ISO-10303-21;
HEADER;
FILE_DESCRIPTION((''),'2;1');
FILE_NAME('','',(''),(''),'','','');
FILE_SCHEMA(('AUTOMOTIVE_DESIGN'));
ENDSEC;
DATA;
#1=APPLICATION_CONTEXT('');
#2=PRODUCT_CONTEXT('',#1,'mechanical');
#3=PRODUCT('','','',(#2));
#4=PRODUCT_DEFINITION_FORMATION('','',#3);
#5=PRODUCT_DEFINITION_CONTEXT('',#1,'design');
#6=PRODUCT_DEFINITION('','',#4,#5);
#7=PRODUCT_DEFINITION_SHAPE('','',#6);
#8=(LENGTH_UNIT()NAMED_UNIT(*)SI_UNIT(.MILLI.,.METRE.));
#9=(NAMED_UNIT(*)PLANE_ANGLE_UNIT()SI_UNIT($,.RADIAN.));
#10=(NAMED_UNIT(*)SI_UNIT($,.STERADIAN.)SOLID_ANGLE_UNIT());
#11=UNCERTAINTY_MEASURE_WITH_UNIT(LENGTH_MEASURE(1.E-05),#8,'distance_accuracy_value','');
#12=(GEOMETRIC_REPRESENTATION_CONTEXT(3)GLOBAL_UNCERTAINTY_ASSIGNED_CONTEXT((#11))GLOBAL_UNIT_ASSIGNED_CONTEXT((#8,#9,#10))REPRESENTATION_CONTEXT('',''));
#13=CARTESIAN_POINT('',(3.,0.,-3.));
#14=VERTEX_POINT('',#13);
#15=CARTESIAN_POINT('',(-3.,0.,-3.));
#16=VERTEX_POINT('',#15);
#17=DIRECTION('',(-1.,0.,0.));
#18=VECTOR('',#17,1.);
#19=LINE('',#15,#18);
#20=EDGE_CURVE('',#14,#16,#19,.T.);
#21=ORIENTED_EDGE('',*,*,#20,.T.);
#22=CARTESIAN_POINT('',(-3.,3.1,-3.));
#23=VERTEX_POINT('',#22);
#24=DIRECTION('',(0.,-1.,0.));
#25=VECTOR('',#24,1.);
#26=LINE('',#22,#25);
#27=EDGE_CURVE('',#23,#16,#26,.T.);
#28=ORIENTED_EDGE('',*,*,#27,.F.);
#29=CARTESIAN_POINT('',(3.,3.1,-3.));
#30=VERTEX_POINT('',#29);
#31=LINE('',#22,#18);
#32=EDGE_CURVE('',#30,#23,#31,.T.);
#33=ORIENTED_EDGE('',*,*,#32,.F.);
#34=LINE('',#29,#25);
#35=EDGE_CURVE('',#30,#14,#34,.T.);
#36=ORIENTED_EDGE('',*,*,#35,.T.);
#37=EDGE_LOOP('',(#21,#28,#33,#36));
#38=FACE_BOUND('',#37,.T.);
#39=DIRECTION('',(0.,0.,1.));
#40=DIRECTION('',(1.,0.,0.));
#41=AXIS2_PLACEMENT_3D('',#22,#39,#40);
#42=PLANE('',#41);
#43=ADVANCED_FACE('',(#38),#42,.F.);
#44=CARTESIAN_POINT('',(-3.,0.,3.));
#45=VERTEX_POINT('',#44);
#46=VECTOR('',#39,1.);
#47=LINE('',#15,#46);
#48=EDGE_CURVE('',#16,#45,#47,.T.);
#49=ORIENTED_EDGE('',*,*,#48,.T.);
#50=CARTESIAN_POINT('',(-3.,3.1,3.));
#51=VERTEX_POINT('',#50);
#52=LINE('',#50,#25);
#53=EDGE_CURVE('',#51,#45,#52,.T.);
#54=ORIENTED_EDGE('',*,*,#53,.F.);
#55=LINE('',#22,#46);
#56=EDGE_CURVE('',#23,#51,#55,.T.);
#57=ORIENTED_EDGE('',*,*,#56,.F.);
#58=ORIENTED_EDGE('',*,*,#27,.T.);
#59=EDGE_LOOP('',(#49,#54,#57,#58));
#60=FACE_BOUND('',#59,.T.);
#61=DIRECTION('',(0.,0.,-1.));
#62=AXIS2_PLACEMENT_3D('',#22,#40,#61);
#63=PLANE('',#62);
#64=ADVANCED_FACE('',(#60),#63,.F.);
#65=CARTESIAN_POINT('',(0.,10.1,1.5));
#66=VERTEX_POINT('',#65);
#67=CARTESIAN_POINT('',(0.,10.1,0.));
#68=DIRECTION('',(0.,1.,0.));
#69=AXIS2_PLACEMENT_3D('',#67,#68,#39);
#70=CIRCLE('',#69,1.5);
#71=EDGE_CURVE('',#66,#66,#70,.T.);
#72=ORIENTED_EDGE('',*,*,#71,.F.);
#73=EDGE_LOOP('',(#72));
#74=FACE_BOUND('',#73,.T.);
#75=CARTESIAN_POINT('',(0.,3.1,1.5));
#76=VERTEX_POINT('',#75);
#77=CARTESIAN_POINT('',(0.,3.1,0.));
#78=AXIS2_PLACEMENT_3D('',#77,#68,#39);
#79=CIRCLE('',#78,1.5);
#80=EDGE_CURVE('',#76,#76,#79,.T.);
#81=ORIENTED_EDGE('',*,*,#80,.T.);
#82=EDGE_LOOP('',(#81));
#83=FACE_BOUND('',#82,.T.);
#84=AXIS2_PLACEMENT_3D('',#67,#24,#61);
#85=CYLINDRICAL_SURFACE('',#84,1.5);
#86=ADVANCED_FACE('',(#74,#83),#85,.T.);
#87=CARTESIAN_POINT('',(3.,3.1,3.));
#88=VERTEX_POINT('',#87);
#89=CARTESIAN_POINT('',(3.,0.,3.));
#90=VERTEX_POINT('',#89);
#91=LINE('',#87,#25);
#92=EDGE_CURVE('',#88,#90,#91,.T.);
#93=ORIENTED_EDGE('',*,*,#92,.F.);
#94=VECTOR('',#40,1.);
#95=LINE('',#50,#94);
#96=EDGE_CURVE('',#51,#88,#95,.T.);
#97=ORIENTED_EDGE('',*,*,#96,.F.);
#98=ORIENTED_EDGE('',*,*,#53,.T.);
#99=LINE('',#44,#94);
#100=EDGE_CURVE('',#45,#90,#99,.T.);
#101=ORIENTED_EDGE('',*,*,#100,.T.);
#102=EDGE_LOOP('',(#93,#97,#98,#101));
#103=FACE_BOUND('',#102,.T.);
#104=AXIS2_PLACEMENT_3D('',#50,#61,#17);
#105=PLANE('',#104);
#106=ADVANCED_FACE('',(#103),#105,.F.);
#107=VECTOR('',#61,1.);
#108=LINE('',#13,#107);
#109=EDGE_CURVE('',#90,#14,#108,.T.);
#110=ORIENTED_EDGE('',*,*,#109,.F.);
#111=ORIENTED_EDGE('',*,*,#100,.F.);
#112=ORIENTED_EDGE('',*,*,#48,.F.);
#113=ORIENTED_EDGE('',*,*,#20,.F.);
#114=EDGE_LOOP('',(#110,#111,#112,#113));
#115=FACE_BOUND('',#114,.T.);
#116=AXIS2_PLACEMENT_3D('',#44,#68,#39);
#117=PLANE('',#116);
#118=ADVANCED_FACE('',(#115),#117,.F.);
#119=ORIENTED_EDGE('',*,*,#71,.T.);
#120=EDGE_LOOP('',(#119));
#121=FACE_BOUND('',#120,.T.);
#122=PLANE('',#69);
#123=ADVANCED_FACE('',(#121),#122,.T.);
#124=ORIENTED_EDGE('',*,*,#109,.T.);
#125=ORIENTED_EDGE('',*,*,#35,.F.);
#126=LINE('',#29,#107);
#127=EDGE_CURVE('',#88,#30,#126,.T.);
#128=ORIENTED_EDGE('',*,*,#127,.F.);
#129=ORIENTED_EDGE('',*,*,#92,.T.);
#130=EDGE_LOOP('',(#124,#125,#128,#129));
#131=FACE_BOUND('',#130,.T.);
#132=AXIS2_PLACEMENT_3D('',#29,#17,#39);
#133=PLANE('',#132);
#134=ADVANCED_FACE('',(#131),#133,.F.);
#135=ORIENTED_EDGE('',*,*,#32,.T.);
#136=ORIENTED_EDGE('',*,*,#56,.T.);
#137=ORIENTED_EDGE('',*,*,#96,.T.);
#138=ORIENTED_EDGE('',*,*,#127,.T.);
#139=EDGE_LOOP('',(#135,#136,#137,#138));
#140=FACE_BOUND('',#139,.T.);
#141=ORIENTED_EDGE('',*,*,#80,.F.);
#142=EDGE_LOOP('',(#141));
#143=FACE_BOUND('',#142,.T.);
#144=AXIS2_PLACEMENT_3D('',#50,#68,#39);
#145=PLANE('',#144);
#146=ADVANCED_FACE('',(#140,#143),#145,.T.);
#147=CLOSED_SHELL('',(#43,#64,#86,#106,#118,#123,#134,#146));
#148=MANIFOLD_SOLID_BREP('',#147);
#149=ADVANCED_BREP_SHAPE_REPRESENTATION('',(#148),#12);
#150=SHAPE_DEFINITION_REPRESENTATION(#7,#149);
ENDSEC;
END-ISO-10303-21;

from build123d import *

# Parameters (mm, degrees)
SKETCH_1_W      = 6
SKETCH_1_H      = 6
EXTRUDE_1_DEPTH = 3.1
SKETCH_2_R      = 1.5
EXTRUDE_2_DEPTH = 7


with BuildPart() as part:
    # 草图1 → 拉伸1 (new body)
    with BuildSketch(Plane(origin=(0, 0, 0), x_dir=(1, 0, 0), z_dir=(0, 1, 0))):
        Rectangle(SKETCH_1_W, SKETCH_1_H)
    extrude(amount=EXTRUDE_1_DEPTH)

    # 草图2 → 拉伸2 (add)
    with BuildSketch(Plane(origin=(0, 3.1, 0), x_dir=(-1, 0, 0), z_dir=(0, 1, 0))):
        with Locations(Location((0, 0, 0), (0, 0, 90))):
            Circle(SKETCH_2_R)
    extrude(amount=EXTRUDE_2_DEPTH)


solid = part.part
